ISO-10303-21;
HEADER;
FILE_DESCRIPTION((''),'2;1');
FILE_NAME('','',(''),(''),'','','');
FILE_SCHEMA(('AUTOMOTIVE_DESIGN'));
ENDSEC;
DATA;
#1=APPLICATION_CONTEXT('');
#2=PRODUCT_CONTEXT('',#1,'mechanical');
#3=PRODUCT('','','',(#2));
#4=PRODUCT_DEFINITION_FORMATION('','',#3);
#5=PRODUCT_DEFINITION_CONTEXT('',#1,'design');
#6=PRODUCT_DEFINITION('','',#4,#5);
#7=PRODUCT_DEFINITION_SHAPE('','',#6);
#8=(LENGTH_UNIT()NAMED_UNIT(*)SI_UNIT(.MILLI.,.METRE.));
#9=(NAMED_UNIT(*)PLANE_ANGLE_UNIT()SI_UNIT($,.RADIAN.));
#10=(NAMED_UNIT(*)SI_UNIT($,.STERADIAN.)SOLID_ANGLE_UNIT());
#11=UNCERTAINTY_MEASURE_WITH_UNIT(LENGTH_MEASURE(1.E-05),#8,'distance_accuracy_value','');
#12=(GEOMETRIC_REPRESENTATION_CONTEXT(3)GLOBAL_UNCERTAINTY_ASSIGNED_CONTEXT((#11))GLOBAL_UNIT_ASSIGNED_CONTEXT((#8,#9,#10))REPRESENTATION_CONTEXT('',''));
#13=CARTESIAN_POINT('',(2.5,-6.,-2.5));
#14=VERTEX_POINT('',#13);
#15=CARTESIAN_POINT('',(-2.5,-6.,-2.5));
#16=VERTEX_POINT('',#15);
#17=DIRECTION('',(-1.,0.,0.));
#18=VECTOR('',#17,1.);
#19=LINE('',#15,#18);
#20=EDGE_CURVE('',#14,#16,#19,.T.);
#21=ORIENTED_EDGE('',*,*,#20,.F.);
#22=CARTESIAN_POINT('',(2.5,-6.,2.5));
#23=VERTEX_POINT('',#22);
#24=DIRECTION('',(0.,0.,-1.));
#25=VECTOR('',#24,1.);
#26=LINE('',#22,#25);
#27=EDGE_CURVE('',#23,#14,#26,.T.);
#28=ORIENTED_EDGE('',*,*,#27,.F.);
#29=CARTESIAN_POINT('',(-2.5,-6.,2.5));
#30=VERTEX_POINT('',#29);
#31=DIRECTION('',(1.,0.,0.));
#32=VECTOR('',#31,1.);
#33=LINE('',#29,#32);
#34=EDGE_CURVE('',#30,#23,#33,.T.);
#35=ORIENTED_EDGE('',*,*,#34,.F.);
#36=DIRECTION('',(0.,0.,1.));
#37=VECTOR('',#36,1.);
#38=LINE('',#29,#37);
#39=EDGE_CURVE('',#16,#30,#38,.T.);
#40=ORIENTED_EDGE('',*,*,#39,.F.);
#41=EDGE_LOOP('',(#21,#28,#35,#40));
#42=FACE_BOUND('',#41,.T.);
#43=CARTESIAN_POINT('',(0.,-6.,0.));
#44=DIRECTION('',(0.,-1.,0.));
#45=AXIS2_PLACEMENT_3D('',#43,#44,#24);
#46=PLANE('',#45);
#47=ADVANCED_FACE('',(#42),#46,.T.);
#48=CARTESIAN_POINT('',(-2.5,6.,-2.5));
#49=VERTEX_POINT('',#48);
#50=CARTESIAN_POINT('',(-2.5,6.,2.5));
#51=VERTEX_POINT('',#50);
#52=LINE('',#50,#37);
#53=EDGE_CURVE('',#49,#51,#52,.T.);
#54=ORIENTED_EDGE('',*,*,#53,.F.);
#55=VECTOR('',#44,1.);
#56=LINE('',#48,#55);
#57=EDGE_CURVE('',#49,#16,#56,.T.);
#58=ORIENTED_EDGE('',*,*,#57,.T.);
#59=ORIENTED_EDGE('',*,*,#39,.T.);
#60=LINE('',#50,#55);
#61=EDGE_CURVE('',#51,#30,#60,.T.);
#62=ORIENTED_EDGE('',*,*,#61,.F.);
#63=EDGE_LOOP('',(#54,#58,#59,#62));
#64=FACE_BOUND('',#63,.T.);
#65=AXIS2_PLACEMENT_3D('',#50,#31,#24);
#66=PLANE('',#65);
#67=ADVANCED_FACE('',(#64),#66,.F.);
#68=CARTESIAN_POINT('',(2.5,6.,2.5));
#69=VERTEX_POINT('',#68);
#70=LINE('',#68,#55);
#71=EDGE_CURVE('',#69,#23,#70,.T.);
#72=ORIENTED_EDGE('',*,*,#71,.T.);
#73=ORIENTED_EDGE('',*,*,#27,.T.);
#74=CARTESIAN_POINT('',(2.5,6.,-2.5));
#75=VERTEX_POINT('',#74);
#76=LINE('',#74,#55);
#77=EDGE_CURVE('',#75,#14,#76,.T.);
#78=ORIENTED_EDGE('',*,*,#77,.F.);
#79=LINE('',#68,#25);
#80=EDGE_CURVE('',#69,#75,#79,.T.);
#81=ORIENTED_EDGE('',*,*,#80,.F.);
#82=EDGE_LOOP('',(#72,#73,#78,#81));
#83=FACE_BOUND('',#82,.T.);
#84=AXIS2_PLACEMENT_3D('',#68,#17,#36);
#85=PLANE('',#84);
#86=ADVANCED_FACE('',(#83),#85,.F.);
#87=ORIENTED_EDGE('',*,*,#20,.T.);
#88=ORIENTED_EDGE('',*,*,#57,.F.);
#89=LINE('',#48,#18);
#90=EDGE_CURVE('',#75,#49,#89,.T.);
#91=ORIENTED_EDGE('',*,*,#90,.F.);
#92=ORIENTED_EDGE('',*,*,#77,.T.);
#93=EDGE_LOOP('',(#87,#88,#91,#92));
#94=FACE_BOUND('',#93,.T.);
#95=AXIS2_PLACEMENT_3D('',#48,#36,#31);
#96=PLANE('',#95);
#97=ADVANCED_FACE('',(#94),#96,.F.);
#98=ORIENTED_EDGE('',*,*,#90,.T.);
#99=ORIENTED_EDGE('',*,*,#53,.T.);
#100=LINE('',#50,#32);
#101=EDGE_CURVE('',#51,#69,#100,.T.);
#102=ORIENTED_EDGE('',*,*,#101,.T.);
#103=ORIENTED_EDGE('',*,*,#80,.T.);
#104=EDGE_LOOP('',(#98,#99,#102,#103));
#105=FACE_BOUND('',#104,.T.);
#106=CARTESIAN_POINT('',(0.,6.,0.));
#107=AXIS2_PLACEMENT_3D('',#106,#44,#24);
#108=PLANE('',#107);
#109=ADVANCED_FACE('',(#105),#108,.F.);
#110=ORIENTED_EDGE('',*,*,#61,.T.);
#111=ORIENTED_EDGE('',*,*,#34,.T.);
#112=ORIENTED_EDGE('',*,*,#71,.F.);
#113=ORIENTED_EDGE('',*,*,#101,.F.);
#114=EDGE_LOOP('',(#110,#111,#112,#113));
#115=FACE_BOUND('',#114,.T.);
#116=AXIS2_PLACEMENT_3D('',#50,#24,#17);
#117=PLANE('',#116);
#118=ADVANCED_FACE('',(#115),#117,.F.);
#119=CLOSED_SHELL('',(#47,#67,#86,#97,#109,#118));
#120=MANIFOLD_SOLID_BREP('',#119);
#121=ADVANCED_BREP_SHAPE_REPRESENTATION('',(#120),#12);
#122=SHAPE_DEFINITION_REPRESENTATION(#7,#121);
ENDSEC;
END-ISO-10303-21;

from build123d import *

# Parameters (mm, degrees)
CROQUIS1_W              = 5
CROQUIS1_H              = 5
SALIENTE_EXTRUIR1_DEPTH = 6


with BuildPart() as part:
    # Croquis1 → Saliente-Extruir1 (new, symmetric)
    with BuildSketch(Plane(origin=(0, 0, 0), x_dir=(1, 0, 0), z_dir=(0, 1, 0))):
        Rectangle(CROQUIS1_W, CROQUIS1_H)
    extrude(amount=SALIENTE_EXTRUIR1_DEPTH, both=True)


solid = part.part
